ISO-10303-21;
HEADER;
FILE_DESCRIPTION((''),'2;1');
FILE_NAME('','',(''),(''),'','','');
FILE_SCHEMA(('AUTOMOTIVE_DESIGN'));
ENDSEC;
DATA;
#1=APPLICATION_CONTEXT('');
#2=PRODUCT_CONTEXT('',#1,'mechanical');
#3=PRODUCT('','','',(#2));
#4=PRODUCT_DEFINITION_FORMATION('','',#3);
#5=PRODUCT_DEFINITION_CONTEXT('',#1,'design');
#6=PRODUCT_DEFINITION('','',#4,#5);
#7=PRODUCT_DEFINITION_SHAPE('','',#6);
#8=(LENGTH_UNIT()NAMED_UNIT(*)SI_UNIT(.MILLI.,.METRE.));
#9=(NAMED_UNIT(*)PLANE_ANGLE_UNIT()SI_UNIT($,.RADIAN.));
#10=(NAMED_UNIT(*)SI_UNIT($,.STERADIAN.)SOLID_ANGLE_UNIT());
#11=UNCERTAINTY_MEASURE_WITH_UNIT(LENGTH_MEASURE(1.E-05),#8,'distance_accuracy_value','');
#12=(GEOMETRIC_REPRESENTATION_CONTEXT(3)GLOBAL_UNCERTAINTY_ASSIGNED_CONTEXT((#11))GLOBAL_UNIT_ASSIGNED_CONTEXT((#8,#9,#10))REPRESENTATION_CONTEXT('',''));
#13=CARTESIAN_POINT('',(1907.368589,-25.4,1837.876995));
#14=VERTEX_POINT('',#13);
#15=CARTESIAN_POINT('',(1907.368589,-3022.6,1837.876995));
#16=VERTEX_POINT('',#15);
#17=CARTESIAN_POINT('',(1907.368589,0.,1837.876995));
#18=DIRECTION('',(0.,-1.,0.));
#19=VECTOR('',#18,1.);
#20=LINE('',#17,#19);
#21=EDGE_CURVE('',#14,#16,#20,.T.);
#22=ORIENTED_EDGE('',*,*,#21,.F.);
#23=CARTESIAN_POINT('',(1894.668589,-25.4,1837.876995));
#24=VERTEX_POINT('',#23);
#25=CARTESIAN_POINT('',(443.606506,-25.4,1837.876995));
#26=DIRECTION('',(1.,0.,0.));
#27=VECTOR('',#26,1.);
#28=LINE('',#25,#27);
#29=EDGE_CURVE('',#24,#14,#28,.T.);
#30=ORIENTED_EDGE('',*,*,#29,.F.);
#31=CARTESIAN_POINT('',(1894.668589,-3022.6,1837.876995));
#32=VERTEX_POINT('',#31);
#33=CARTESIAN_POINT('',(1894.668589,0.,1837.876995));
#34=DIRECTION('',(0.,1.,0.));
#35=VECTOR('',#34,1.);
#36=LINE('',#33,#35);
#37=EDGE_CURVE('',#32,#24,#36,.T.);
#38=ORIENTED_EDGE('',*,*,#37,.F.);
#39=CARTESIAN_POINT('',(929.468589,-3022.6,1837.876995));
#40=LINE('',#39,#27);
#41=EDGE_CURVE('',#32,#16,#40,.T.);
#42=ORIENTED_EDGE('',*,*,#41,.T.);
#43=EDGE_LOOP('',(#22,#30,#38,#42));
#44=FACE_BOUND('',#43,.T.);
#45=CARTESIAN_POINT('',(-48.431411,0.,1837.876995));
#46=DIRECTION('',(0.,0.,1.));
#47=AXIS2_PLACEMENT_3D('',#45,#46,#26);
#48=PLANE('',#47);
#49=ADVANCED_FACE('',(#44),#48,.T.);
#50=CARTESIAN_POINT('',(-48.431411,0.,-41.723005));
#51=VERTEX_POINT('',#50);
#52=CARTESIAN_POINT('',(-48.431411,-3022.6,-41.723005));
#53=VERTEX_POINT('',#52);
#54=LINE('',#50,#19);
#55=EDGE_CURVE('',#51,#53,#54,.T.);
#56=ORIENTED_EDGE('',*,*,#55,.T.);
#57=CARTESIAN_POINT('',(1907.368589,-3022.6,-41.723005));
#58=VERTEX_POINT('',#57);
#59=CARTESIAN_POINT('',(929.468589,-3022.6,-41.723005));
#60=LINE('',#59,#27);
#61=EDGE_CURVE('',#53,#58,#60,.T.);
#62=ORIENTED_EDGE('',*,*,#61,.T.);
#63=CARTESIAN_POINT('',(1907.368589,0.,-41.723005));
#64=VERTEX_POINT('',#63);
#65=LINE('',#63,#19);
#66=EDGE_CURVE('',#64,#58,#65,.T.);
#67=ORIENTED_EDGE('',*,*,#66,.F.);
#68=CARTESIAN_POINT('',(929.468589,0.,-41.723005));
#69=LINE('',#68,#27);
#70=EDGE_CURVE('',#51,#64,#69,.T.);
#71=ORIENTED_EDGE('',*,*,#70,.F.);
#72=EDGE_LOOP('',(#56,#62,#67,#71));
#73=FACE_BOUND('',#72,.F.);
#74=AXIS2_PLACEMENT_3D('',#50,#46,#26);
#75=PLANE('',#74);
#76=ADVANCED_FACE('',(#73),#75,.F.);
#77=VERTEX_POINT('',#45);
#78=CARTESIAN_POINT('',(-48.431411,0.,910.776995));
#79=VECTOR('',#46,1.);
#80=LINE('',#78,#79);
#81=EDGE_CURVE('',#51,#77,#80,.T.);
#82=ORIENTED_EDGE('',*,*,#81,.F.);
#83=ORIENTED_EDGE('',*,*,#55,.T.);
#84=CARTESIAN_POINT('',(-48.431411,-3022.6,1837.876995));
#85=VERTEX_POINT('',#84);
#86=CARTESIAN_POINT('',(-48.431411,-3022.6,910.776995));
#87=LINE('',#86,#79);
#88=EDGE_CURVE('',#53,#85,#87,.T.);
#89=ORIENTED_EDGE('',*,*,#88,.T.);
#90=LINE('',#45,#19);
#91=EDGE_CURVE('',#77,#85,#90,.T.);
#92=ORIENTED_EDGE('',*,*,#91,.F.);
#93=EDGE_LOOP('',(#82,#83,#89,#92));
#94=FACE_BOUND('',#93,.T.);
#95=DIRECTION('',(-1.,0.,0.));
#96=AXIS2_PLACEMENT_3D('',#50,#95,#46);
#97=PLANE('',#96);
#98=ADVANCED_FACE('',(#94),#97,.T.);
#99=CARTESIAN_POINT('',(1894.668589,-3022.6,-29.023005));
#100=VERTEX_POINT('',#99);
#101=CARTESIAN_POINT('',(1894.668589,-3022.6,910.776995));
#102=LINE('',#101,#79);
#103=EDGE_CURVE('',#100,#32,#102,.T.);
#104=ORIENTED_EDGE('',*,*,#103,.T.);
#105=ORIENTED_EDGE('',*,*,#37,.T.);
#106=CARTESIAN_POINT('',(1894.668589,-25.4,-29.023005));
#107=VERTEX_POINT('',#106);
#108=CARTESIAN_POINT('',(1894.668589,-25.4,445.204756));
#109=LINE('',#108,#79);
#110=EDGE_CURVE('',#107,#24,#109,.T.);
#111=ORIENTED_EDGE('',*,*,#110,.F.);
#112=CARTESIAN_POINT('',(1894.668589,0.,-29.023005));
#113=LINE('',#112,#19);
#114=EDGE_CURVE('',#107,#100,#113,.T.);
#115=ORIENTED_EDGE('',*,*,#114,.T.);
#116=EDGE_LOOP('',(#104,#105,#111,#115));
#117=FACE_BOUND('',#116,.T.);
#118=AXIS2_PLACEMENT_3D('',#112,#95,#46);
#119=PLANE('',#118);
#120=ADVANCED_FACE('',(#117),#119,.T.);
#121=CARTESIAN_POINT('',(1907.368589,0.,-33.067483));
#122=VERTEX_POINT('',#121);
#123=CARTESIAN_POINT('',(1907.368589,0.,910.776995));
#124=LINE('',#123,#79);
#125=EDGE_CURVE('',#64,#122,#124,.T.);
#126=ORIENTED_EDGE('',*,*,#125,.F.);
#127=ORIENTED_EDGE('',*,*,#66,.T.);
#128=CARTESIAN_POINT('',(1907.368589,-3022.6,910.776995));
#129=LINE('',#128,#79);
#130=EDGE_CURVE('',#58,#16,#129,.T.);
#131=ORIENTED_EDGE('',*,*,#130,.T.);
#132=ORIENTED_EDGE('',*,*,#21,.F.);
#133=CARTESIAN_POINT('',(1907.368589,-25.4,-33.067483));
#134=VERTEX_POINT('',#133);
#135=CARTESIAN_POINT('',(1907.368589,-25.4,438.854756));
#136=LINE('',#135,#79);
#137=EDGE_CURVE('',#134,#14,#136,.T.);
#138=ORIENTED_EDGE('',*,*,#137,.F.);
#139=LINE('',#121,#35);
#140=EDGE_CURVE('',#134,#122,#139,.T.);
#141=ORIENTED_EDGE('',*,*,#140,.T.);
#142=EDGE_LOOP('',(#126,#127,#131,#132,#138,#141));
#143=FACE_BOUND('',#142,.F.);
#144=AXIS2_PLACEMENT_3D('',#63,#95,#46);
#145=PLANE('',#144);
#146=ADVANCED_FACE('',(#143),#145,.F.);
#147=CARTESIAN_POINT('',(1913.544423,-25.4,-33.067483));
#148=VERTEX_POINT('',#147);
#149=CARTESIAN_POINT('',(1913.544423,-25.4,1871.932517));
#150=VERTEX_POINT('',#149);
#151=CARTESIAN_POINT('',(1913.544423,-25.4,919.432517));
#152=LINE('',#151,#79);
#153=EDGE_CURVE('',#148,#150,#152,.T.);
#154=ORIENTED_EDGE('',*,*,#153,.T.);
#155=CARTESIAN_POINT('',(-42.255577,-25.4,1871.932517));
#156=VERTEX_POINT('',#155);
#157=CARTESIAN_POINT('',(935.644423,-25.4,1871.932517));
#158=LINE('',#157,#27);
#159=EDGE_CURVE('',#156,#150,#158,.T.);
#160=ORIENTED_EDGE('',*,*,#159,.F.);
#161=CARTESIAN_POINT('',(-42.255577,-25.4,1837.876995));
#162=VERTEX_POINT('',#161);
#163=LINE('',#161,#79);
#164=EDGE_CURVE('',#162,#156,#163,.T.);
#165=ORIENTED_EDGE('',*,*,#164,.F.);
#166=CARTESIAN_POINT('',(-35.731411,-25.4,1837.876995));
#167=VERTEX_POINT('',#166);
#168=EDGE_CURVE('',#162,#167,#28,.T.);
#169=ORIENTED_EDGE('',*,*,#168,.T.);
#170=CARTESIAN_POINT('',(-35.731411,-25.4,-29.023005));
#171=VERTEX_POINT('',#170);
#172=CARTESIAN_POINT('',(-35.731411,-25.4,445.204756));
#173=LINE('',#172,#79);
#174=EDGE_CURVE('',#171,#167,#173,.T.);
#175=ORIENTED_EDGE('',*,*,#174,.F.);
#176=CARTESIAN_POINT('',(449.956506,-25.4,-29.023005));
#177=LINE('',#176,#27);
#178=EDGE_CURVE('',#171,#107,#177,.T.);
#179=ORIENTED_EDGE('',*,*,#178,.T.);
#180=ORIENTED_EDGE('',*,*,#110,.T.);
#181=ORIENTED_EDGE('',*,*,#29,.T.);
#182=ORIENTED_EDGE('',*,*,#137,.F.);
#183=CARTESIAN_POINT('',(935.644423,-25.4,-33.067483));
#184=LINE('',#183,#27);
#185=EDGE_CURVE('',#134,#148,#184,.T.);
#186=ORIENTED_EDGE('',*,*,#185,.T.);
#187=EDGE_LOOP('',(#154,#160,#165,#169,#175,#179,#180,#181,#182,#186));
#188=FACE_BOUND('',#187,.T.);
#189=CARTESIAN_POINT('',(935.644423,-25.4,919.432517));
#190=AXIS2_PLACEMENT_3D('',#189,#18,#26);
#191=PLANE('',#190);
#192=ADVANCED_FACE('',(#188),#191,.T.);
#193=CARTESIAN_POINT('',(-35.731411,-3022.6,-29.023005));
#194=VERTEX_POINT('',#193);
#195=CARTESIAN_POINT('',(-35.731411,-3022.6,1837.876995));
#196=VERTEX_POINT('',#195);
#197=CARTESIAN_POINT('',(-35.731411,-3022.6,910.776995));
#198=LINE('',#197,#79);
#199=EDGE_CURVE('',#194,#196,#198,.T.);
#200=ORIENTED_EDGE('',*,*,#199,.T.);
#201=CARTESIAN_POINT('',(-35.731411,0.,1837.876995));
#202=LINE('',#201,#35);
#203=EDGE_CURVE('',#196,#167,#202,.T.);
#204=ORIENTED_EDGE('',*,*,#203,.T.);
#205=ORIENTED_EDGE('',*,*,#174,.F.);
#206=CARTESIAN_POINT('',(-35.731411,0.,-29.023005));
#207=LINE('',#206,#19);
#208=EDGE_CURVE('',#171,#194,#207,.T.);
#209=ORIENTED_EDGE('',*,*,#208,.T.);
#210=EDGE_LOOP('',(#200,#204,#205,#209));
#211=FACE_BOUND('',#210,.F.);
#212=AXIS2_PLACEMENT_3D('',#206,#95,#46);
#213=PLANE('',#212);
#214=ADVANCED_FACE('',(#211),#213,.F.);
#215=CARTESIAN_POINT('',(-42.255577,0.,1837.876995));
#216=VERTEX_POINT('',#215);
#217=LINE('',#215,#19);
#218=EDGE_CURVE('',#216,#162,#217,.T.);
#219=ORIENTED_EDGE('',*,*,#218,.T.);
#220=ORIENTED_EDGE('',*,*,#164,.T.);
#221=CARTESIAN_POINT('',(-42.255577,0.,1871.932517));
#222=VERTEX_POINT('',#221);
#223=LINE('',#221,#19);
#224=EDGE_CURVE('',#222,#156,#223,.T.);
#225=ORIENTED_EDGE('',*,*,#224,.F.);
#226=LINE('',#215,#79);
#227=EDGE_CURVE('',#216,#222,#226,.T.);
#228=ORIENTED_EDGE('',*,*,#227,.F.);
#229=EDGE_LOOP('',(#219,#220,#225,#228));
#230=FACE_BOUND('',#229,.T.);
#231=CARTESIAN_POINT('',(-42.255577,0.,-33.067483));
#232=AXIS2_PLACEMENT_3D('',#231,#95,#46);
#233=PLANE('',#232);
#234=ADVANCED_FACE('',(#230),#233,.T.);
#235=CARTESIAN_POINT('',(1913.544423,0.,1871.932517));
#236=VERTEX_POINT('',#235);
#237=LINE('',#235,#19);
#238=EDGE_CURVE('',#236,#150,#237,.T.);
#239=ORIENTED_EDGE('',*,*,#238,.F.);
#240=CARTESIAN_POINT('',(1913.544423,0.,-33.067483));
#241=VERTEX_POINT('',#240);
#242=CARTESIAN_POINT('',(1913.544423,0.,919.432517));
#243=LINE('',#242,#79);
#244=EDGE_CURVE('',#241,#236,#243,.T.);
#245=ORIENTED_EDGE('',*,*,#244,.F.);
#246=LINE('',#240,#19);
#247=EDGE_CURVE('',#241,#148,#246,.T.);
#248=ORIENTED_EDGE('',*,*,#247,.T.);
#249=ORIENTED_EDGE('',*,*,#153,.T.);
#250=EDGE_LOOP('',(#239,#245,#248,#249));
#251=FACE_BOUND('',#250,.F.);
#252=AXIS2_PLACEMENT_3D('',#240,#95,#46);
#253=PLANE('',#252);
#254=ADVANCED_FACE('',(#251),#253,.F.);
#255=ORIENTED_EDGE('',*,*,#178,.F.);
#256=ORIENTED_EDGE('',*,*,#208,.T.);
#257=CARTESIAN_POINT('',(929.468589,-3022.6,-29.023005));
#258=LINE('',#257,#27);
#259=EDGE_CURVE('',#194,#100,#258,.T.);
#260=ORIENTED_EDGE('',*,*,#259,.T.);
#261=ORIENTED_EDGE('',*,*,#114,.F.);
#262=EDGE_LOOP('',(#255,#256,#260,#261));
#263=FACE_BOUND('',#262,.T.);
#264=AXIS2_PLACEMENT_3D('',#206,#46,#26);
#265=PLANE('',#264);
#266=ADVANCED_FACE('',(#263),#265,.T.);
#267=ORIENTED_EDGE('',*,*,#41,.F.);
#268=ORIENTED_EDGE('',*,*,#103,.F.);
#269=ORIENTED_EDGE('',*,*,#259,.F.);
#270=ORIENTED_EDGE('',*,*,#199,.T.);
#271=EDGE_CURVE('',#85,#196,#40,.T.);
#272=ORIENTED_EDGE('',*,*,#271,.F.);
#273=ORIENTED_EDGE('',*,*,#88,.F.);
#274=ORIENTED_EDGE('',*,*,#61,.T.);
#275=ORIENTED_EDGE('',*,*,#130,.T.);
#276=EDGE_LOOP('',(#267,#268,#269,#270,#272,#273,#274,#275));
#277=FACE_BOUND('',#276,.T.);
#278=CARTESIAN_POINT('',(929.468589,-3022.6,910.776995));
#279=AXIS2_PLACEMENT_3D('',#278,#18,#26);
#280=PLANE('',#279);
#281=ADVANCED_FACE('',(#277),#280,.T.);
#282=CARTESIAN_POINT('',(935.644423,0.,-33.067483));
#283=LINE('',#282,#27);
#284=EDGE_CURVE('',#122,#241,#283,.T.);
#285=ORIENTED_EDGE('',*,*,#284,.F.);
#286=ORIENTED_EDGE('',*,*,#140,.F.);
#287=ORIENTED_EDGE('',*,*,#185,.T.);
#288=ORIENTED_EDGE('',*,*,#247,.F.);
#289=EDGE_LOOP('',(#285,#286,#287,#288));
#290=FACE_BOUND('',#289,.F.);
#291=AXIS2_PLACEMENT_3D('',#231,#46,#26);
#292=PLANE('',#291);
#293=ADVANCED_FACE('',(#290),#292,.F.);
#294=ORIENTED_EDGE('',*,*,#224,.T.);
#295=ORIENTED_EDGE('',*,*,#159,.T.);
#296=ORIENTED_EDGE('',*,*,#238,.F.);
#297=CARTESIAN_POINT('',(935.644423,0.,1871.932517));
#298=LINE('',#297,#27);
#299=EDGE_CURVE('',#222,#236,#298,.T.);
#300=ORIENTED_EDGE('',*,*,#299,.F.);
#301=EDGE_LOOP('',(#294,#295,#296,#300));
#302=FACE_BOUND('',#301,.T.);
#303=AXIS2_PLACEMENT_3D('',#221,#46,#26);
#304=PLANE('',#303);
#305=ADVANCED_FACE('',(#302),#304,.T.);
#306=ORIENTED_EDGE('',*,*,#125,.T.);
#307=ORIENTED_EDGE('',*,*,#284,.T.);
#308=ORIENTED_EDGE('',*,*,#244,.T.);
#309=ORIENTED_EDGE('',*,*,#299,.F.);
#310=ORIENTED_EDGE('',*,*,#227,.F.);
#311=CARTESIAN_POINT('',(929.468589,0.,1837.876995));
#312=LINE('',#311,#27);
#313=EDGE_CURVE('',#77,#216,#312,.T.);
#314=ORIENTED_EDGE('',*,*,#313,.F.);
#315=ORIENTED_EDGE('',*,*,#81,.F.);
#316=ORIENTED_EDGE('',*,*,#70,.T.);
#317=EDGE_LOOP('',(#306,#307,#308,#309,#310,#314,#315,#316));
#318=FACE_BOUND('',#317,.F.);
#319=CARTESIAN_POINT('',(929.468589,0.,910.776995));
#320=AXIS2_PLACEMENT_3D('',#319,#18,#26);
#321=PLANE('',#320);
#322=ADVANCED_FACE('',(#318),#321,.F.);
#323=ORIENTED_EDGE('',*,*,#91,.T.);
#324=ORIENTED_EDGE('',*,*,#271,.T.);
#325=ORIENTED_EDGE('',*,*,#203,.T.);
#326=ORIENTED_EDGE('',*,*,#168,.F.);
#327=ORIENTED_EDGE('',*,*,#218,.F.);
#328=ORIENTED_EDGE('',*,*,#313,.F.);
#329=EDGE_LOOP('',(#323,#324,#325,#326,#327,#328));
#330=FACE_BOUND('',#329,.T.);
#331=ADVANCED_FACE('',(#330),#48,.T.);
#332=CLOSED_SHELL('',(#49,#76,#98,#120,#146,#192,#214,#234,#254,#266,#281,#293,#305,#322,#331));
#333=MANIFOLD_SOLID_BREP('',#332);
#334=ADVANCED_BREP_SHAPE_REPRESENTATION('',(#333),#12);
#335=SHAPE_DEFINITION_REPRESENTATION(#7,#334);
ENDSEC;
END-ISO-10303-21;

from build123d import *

# Parameters (mm, degrees)
F0_W     = 1955.8
F0_H     = 1905
F0_W_2   = 1930.4
F0_H_2   = 1879.6
F1_DEPTH = 3022.6
F2_W     = 1955.8
F2_H     = 1905
F3_DEPTH = 25.4
F4_DEPTH = 25.4


with BuildPart() as f1:
    # F0 (on Front) → F1 (new body)
    with BuildSketch(Plane.XZ):
        with Locations((929.4685886145, 910.7769945264)):
            Rectangle(F0_W, F0_H)
        with Locations((929.4685886145, 910.7769945264)):
            Rectangle(F0_W_2, F0_H_2, mode=Mode.SUBTRACT)
    extrude(amount=F1_DEPTH)

    # F2 (on Front) → F3 (join)
    with BuildSketch(Plane.XZ):
        with Locations((935.6444233, 919.4325165451)):
            Rectangle(F2_W, F2_H)
    extrude(amount=F3_DEPTH)

    # F4 (cut): a face of the model
    f4_faces = [f1.faces().sort_by_distance(p)[0] for p in [
        (929.4425031547, -1523.9595584052, 1863.2769945264),
    ]]
    extrude(f4_faces, amount=-F4_DEPTH, mode=Mode.SUBTRACT)


solid = f1.part
